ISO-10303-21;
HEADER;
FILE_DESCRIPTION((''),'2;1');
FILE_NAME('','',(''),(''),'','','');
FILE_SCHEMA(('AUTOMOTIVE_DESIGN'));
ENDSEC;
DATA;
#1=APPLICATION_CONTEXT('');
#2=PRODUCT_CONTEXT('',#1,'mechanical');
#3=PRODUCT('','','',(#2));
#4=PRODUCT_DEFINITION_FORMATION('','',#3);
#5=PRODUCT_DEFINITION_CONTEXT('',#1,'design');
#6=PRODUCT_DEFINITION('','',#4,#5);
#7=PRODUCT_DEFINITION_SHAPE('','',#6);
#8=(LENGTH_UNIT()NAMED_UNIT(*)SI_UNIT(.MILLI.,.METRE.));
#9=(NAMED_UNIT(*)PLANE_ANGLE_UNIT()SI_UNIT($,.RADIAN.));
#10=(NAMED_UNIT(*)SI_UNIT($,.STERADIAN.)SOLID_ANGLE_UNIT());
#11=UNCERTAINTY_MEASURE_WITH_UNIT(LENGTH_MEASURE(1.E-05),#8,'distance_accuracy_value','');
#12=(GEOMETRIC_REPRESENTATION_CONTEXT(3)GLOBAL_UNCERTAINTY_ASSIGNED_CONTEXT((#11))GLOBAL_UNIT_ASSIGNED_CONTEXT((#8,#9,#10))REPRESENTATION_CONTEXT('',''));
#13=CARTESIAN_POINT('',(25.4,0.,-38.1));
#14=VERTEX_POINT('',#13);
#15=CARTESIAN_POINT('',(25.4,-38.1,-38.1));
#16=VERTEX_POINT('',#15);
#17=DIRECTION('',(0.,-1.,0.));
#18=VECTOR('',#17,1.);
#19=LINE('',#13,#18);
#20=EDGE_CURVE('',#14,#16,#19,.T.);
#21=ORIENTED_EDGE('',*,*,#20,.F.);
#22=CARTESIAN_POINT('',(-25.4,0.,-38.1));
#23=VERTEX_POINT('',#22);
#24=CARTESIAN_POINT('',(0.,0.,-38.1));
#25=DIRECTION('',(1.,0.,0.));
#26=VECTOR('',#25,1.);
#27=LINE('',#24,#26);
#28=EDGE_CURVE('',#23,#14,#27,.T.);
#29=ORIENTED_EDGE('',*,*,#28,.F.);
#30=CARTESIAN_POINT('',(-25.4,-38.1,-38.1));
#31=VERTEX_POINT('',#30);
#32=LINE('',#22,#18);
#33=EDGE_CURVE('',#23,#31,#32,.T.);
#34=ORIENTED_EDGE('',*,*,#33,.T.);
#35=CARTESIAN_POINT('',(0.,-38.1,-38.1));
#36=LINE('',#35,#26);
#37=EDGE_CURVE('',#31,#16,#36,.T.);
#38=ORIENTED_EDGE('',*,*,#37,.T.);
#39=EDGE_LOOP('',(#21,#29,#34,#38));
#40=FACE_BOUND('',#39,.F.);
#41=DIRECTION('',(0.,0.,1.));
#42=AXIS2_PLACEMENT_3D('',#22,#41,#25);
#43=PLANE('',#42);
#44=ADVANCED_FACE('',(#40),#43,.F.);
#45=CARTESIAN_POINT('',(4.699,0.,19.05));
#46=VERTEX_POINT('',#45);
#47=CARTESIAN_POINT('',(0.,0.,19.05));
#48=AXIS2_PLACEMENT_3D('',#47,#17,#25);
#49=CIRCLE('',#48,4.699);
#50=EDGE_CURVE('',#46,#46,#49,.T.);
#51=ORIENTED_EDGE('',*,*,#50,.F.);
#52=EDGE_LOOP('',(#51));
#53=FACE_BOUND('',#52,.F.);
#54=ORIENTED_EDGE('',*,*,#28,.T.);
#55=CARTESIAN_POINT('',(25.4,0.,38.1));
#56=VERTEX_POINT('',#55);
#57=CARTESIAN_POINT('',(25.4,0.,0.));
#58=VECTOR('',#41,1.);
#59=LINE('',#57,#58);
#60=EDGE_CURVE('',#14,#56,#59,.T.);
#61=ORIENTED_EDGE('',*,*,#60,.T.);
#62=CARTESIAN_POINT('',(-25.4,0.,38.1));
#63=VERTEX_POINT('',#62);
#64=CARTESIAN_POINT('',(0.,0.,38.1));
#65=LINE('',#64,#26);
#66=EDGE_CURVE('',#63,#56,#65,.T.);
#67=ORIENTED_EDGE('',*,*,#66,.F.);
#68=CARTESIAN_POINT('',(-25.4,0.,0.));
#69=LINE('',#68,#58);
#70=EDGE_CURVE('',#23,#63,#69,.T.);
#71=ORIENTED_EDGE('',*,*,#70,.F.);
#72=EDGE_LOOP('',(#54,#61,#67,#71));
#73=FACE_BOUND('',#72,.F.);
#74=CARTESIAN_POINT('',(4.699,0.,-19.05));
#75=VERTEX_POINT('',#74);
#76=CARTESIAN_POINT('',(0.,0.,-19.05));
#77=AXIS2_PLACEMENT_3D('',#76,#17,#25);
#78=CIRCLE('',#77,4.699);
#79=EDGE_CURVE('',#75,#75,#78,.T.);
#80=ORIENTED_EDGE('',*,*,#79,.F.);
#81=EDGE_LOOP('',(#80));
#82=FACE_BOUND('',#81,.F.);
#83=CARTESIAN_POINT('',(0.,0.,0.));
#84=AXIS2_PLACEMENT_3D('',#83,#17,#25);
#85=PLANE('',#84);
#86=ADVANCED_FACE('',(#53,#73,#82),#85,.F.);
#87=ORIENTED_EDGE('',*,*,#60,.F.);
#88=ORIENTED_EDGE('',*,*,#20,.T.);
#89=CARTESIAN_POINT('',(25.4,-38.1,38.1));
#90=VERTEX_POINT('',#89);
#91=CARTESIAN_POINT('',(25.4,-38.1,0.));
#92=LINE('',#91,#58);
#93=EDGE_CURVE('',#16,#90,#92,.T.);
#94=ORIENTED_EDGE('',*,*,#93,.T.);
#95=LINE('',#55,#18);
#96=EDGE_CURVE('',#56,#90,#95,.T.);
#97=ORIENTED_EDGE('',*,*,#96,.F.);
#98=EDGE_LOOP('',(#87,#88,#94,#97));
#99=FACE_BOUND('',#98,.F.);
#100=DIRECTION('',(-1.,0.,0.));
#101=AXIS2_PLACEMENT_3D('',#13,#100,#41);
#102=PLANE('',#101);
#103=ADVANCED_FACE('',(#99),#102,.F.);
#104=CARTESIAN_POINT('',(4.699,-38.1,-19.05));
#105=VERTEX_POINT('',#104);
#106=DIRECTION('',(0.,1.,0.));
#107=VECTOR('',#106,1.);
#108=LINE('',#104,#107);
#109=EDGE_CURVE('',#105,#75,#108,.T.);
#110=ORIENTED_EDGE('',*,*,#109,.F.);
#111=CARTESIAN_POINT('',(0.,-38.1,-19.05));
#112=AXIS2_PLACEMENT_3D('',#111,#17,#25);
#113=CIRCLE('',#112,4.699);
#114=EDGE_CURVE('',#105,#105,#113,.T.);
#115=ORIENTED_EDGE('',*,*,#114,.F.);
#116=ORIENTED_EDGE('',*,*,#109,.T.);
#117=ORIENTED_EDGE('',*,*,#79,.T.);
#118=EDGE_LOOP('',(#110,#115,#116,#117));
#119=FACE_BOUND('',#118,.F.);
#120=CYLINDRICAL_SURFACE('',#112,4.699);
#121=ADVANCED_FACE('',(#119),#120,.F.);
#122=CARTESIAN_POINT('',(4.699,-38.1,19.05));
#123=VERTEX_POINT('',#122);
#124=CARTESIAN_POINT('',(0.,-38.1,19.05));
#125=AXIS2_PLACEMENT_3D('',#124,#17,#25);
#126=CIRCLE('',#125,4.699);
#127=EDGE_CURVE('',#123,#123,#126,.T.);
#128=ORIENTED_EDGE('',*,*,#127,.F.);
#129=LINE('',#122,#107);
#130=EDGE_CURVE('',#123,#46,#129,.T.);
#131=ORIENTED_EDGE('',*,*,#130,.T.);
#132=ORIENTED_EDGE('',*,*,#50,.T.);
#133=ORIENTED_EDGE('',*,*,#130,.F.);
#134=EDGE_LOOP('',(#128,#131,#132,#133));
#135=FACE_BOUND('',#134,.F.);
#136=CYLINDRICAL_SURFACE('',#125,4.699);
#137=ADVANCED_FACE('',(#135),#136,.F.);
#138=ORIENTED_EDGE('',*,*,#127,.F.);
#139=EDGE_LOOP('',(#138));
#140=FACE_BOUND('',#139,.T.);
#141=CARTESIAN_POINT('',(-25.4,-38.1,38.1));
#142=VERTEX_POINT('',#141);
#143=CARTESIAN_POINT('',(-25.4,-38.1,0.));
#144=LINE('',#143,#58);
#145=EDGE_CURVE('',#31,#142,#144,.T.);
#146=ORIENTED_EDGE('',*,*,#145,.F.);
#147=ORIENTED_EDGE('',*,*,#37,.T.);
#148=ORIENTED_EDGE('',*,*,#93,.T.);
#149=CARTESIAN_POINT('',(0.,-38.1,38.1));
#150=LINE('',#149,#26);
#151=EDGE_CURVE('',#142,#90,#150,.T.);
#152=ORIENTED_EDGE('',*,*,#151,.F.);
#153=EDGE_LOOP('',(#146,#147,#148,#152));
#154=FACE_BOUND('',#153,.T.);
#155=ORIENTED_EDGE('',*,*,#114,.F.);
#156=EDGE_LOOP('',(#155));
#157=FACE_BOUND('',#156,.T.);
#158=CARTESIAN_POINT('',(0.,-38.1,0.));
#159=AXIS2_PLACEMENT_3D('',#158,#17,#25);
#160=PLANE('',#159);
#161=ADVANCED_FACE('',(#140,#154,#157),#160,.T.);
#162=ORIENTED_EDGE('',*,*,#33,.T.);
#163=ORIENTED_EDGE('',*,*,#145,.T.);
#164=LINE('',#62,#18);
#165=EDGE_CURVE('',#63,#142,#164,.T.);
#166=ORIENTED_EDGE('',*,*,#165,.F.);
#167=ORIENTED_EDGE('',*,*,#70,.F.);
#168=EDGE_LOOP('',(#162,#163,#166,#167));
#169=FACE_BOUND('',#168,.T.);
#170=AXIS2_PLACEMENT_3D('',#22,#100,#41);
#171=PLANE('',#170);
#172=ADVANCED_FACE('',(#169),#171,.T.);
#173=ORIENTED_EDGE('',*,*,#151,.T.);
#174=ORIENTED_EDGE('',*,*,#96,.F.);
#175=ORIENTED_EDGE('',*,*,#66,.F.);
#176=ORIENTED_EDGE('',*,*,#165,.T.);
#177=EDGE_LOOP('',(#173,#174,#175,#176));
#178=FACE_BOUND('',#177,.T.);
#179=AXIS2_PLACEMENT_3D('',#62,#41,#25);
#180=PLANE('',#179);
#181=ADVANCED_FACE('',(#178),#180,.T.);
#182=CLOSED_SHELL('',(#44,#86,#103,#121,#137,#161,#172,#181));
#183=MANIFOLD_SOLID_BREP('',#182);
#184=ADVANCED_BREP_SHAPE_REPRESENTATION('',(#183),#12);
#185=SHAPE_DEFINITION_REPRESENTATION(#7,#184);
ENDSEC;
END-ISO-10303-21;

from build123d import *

# Parameters (mm, degrees)
F0_W     = 50.8
F0_H     = 76.2
F1_DEPTH = 38.1
F2_R     = 4.699
F3_DEPTH = 38.101


with BuildPart() as f1:
    # F0 (on Front) → F1 (new body)
    with BuildSketch(Plane.XZ):
        Rectangle(F0_W, F0_H)
    extrude(amount=F1_DEPTH)

    # F2 (on face) → F3 (cut, through all)
    with BuildSketch(Plane.XZ.offset(38.1)):
        with Locations((0, 19.05)):
            Circle(F2_R)
        with Locations((0, -19.05)):
            Circle(F2_R)
    extrude(amount=-F3_DEPTH, mode=Mode.SUBTRACT)


solid = f1.part
